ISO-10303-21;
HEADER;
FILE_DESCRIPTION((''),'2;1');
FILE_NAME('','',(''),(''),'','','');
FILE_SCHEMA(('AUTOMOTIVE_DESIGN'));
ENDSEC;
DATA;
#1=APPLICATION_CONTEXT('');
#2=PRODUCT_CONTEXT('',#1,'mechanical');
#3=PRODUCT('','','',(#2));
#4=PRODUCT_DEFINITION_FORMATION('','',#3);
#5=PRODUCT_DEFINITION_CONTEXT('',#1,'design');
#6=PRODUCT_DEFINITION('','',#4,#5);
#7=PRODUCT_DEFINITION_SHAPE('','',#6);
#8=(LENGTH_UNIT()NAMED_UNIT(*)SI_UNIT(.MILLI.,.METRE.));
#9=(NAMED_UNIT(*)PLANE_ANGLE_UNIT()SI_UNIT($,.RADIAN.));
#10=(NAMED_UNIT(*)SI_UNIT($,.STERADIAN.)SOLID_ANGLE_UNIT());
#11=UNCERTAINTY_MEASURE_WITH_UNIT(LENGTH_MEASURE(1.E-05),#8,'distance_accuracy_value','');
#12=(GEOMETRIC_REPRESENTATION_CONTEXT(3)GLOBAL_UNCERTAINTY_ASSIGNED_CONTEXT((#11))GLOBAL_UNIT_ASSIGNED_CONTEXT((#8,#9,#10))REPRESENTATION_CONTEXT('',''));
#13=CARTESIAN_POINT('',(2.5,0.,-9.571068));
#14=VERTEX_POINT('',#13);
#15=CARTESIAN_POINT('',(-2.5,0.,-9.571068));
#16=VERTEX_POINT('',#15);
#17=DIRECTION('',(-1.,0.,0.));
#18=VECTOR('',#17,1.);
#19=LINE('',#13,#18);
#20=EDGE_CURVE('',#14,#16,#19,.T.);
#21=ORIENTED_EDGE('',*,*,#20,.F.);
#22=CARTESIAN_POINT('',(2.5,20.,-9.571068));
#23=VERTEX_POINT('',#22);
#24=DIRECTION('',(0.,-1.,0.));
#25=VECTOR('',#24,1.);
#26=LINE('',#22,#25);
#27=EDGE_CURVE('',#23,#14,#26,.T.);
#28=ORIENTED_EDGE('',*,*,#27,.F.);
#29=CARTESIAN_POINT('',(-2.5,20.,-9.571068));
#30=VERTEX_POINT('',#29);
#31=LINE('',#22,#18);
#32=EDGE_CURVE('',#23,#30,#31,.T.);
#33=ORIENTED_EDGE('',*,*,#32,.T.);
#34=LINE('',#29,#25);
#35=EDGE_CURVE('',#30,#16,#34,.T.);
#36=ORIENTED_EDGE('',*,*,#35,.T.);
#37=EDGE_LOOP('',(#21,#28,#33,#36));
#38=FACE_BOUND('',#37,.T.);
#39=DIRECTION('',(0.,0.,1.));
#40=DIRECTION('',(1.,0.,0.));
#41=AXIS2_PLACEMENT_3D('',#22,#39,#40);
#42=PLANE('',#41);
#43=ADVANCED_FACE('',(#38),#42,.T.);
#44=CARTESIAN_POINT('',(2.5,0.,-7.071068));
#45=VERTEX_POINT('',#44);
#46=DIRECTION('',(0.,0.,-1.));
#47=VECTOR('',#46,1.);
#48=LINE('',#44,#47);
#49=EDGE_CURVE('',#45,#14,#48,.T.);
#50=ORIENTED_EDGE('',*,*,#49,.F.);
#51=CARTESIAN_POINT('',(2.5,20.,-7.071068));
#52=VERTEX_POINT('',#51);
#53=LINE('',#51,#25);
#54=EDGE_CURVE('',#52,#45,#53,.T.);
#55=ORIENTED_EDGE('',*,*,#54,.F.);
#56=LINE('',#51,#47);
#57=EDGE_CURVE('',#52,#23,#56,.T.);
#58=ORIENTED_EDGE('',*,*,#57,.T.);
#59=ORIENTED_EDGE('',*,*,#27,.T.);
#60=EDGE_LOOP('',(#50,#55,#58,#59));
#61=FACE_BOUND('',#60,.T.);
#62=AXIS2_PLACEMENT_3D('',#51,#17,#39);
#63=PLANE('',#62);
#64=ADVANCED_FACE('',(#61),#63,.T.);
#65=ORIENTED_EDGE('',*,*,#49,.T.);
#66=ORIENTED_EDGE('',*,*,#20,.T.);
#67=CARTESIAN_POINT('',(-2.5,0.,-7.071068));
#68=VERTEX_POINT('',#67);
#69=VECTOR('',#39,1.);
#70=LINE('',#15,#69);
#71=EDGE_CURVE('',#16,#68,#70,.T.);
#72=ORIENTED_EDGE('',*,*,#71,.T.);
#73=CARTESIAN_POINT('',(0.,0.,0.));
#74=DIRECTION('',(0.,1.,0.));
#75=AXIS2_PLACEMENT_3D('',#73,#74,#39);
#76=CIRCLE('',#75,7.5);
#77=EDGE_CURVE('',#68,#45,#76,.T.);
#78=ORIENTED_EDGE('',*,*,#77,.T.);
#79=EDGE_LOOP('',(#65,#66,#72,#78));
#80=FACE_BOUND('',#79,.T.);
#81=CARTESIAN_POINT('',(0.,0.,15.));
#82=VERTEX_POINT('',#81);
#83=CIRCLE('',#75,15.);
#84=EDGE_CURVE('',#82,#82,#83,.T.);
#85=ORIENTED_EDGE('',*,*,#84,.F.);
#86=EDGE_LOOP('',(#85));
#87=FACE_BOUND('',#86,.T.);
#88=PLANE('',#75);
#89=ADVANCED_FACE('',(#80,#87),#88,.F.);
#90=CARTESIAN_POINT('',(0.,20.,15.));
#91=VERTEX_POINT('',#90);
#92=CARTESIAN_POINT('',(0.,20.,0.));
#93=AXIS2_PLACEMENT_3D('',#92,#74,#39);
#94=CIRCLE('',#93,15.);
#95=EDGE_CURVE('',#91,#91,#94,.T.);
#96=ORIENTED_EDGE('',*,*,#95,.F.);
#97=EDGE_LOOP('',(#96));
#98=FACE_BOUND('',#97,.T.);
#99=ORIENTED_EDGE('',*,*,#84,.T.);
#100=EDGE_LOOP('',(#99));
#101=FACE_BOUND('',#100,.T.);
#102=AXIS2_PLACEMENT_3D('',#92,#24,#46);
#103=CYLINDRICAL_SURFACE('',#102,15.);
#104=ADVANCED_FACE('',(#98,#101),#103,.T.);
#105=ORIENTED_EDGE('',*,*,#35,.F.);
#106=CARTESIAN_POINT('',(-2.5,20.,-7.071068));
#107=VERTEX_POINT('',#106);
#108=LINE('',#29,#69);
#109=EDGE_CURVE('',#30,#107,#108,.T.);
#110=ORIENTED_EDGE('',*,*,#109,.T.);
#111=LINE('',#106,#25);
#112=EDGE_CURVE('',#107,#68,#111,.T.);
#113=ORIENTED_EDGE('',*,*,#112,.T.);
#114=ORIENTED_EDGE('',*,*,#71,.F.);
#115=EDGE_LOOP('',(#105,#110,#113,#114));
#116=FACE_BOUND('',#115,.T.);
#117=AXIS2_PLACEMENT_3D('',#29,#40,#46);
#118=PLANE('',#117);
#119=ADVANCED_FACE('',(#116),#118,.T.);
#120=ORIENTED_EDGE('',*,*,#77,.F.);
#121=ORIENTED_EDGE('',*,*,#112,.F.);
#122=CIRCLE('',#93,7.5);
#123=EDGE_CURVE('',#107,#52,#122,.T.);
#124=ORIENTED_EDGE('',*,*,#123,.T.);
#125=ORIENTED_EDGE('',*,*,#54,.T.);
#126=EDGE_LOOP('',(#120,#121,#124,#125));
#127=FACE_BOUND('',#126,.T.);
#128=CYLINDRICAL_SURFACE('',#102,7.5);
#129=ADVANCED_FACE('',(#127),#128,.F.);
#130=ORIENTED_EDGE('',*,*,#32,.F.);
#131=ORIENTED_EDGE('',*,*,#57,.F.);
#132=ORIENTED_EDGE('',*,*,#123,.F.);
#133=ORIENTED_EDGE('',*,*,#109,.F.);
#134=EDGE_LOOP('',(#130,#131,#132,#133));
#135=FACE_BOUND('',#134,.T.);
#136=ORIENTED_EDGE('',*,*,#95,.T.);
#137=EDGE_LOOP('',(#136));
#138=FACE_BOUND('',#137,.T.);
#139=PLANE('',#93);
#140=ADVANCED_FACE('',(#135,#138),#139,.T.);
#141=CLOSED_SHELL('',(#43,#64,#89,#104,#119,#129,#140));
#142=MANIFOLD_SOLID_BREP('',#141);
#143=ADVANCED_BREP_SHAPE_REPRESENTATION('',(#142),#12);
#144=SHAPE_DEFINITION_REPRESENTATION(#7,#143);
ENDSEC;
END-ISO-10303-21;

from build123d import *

# Parameters (mm, degrees)
SKETCH1_R           = 15
BOSS_EXTRUDE1_DEPTH = 20


with BuildPart() as part:
    # Sketch1 → Boss-Extrude1 (new body)
    with BuildSketch(Plane(origin=(0, 0, 0), x_dir=(1, 0, 0), z_dir=(0, 1, 0))):
        with Locations(Location((0, 0, 0), (0, 0, 270))):
            Circle(SKETCH1_R)
        with BuildLine():
            Line((2.5, 7.071067812), (2.5, 9.571067812))
            Line((2.5, 9.571067812), (-2.5, 9.571067812))
            Line((-2.5, 9.571067812), (-2.5, 7.071067812))
            ThreePointArc((-2.5, 7.071067812), (0, -7.5), (2.5, 7.071067812))
        make_face(mode=Mode.SUBTRACT)
    extrude(amount=BOSS_EXTRUDE1_DEPTH)


solid = part.part
